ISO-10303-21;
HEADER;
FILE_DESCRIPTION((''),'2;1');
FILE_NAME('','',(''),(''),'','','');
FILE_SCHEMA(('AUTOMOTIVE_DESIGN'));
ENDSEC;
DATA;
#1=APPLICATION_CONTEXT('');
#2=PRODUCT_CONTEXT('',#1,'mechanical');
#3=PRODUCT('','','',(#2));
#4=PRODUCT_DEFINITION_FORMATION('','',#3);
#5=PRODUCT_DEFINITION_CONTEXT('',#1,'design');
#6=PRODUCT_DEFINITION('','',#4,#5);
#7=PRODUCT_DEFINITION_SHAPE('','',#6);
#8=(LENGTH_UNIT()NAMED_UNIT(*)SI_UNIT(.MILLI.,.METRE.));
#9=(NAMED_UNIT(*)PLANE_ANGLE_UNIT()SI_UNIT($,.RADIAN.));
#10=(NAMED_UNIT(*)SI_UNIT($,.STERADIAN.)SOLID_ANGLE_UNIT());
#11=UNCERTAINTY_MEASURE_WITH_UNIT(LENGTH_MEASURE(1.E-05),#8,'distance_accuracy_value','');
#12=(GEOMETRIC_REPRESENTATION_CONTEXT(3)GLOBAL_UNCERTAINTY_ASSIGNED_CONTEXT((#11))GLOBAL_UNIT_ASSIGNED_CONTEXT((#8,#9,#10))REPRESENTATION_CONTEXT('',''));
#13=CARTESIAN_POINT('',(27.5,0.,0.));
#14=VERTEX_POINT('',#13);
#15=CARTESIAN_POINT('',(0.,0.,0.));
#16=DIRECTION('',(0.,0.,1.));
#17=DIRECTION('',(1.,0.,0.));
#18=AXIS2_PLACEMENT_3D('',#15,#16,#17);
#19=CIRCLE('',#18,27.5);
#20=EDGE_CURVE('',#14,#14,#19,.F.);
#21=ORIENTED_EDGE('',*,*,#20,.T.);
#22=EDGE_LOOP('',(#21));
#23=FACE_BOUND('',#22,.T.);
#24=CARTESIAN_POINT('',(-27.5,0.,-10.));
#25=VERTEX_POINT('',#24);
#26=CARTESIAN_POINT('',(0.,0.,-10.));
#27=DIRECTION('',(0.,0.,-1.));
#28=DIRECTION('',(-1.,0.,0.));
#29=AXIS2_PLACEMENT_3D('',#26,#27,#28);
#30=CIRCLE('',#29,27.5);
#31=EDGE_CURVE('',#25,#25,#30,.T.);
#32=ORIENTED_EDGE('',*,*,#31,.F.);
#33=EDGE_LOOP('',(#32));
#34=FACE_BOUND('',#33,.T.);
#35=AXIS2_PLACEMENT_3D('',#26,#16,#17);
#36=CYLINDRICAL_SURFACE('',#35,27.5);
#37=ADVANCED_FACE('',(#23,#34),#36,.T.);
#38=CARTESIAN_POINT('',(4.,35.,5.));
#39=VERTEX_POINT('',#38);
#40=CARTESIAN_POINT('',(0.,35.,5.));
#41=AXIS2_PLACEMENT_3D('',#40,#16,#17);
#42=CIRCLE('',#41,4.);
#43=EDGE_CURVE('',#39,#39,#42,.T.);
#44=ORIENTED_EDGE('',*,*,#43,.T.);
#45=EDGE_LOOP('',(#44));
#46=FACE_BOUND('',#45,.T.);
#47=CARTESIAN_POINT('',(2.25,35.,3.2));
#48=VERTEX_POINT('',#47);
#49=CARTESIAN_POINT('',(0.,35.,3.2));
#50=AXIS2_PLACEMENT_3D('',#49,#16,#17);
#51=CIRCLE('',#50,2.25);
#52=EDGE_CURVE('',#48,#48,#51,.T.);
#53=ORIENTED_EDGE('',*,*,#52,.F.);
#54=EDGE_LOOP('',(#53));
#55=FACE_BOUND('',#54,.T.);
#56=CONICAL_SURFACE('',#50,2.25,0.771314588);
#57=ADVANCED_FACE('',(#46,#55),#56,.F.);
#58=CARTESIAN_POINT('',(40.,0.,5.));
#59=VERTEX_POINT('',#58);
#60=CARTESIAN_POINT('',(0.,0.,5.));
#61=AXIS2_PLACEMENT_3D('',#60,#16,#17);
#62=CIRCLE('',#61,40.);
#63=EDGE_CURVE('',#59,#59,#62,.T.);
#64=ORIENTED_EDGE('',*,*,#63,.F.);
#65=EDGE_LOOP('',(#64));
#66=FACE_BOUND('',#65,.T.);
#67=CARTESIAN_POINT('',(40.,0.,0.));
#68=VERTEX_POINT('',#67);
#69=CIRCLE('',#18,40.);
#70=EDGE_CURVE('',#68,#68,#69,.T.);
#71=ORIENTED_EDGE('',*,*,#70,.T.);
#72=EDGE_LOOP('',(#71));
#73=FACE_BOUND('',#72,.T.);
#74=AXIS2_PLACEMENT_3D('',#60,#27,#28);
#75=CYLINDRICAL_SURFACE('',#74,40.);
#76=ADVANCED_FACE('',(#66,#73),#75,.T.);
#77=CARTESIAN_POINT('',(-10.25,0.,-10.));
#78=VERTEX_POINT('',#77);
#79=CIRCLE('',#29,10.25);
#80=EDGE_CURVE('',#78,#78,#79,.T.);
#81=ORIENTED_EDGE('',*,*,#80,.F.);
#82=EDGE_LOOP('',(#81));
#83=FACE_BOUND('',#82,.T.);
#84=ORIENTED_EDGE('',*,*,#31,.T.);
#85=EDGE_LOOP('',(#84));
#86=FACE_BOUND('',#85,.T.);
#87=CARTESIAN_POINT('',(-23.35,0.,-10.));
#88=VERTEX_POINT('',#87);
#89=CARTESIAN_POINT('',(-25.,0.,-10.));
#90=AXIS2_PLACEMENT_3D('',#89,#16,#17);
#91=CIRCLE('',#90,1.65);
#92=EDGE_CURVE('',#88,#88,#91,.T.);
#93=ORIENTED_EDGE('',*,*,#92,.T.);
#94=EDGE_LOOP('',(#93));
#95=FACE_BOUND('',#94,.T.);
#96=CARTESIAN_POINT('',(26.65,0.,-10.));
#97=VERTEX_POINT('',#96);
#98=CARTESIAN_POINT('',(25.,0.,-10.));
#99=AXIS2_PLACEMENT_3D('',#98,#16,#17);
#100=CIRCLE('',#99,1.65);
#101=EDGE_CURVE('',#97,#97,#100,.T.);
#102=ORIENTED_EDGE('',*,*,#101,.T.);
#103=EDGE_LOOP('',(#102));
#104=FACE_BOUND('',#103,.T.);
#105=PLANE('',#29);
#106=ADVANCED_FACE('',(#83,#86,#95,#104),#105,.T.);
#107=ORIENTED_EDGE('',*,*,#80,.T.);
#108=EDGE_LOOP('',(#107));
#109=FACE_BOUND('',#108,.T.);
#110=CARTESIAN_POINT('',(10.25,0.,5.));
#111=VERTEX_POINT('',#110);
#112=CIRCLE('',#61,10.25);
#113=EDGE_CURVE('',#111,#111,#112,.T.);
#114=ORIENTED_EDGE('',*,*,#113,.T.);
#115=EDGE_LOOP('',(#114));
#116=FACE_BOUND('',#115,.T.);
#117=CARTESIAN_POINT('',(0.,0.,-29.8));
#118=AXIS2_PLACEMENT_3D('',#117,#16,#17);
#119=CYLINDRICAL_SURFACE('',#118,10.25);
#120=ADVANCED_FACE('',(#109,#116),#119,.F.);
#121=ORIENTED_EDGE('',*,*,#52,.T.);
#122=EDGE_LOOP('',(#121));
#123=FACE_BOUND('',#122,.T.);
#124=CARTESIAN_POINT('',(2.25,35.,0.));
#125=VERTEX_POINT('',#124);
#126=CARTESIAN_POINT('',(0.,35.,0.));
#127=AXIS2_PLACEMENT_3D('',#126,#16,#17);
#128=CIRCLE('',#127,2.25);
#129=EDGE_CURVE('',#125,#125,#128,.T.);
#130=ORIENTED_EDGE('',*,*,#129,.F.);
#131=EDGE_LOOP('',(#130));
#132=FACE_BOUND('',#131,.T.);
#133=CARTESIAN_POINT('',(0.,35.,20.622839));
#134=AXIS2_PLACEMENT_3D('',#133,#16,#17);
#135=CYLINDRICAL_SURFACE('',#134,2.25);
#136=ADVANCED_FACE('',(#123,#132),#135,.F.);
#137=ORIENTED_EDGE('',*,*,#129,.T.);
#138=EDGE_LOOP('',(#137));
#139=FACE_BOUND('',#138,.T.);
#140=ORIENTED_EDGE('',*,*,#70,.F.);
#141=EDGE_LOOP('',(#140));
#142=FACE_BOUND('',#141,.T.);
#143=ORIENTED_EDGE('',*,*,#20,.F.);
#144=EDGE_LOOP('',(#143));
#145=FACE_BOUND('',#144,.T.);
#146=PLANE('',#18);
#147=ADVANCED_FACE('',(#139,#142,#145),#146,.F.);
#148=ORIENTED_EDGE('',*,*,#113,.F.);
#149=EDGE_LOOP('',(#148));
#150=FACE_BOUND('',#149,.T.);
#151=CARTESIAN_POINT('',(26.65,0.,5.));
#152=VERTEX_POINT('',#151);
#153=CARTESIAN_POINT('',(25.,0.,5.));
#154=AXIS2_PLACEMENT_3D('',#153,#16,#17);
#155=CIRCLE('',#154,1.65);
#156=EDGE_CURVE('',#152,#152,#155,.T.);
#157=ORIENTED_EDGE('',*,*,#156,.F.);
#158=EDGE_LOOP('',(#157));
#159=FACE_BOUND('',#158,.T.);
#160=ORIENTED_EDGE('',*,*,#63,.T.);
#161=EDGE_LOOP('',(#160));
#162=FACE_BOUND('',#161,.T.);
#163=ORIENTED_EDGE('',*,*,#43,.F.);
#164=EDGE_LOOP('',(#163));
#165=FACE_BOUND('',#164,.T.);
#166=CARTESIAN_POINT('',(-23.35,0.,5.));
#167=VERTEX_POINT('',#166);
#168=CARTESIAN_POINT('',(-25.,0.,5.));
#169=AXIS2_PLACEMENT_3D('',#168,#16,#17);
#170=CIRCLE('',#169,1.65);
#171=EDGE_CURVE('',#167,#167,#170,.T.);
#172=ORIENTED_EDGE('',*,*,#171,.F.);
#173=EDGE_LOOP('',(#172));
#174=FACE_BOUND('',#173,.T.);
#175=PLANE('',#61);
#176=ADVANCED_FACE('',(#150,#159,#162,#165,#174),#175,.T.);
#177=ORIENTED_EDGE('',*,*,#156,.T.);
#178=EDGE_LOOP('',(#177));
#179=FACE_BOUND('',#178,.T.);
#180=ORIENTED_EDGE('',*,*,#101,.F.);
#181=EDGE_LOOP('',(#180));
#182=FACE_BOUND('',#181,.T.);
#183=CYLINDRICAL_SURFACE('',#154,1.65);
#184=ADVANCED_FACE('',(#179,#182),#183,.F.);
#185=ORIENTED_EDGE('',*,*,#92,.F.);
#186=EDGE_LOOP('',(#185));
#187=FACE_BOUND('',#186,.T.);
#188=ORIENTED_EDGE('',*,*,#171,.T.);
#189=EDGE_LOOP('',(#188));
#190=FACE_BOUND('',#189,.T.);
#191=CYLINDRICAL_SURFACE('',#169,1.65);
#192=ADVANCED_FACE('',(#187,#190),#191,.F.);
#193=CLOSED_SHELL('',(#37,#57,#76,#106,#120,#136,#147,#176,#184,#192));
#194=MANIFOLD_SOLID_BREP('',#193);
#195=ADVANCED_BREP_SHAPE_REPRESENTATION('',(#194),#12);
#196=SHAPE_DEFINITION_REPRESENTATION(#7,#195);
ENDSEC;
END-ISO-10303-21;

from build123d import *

# Parameters (mm, degrees)
CROQUIS1_R              = 40
SALIENTE_EXTRUIR1_DEPTH = 5
CROQUIS3_R              = 27.5
SALIENTE_EXTRUIR2_DEPTH = 10
TALADRO_ROSCADO_M41_D   = 3.3
CROQUIS6_R              = 10.25
CORTAR_EXTRUIR1_DEPTH   = 34.8


with BuildPart() as part:
    # Croquis1 → Saliente-Extruir1 (new body)
    with BuildSketch(Plane.XY):
        Circle(CROQUIS1_R)
    extrude(amount=SALIENTE_EXTRUIR1_DEPTH)

    # Croquis2 → Cortar-Revolución1 (revolve, cut)
    with BuildSketch(Plane(origin=(0, 0, 0), x_dir=(0, 0, -1), z_dir=(1, 0, 0))):
        Polygon((-5, 35), (-5, 39), (-3.2, 37.25), (0, 37.25), (0, 35), align=None)
    revolve(axis=Axis((0, 35, 20.622839442), (0, 0, -1)), mode=Mode.SUBTRACT)

    # Croquis3 → Saliente-Extruir2 (add)
    with BuildSketch(Plane(origin=(0, 0, 0), x_dir=(-1, 0, 0), z_dir=(0, 0, -1))):
        Circle(CROQUIS3_R)
    extrude(amount=SALIENTE_EXTRUIR2_DEPTH)

    # Taladro roscado M41 (through all)
    with Locations(Plane.XY.offset(5)):
        with Locations((-25, 0), (25, 0)):
            Hole(TALADRO_ROSCADO_M41_D / 2)

    # Croquis6 → Cortar-Extruir1 (cut)
    with BuildSketch(Plane.XY.offset(5)):
        Circle(CROQUIS6_R)
    extrude(amount=-CORTAR_EXTRUIR1_DEPTH, mode=Mode.SUBTRACT)


solid = part.part
